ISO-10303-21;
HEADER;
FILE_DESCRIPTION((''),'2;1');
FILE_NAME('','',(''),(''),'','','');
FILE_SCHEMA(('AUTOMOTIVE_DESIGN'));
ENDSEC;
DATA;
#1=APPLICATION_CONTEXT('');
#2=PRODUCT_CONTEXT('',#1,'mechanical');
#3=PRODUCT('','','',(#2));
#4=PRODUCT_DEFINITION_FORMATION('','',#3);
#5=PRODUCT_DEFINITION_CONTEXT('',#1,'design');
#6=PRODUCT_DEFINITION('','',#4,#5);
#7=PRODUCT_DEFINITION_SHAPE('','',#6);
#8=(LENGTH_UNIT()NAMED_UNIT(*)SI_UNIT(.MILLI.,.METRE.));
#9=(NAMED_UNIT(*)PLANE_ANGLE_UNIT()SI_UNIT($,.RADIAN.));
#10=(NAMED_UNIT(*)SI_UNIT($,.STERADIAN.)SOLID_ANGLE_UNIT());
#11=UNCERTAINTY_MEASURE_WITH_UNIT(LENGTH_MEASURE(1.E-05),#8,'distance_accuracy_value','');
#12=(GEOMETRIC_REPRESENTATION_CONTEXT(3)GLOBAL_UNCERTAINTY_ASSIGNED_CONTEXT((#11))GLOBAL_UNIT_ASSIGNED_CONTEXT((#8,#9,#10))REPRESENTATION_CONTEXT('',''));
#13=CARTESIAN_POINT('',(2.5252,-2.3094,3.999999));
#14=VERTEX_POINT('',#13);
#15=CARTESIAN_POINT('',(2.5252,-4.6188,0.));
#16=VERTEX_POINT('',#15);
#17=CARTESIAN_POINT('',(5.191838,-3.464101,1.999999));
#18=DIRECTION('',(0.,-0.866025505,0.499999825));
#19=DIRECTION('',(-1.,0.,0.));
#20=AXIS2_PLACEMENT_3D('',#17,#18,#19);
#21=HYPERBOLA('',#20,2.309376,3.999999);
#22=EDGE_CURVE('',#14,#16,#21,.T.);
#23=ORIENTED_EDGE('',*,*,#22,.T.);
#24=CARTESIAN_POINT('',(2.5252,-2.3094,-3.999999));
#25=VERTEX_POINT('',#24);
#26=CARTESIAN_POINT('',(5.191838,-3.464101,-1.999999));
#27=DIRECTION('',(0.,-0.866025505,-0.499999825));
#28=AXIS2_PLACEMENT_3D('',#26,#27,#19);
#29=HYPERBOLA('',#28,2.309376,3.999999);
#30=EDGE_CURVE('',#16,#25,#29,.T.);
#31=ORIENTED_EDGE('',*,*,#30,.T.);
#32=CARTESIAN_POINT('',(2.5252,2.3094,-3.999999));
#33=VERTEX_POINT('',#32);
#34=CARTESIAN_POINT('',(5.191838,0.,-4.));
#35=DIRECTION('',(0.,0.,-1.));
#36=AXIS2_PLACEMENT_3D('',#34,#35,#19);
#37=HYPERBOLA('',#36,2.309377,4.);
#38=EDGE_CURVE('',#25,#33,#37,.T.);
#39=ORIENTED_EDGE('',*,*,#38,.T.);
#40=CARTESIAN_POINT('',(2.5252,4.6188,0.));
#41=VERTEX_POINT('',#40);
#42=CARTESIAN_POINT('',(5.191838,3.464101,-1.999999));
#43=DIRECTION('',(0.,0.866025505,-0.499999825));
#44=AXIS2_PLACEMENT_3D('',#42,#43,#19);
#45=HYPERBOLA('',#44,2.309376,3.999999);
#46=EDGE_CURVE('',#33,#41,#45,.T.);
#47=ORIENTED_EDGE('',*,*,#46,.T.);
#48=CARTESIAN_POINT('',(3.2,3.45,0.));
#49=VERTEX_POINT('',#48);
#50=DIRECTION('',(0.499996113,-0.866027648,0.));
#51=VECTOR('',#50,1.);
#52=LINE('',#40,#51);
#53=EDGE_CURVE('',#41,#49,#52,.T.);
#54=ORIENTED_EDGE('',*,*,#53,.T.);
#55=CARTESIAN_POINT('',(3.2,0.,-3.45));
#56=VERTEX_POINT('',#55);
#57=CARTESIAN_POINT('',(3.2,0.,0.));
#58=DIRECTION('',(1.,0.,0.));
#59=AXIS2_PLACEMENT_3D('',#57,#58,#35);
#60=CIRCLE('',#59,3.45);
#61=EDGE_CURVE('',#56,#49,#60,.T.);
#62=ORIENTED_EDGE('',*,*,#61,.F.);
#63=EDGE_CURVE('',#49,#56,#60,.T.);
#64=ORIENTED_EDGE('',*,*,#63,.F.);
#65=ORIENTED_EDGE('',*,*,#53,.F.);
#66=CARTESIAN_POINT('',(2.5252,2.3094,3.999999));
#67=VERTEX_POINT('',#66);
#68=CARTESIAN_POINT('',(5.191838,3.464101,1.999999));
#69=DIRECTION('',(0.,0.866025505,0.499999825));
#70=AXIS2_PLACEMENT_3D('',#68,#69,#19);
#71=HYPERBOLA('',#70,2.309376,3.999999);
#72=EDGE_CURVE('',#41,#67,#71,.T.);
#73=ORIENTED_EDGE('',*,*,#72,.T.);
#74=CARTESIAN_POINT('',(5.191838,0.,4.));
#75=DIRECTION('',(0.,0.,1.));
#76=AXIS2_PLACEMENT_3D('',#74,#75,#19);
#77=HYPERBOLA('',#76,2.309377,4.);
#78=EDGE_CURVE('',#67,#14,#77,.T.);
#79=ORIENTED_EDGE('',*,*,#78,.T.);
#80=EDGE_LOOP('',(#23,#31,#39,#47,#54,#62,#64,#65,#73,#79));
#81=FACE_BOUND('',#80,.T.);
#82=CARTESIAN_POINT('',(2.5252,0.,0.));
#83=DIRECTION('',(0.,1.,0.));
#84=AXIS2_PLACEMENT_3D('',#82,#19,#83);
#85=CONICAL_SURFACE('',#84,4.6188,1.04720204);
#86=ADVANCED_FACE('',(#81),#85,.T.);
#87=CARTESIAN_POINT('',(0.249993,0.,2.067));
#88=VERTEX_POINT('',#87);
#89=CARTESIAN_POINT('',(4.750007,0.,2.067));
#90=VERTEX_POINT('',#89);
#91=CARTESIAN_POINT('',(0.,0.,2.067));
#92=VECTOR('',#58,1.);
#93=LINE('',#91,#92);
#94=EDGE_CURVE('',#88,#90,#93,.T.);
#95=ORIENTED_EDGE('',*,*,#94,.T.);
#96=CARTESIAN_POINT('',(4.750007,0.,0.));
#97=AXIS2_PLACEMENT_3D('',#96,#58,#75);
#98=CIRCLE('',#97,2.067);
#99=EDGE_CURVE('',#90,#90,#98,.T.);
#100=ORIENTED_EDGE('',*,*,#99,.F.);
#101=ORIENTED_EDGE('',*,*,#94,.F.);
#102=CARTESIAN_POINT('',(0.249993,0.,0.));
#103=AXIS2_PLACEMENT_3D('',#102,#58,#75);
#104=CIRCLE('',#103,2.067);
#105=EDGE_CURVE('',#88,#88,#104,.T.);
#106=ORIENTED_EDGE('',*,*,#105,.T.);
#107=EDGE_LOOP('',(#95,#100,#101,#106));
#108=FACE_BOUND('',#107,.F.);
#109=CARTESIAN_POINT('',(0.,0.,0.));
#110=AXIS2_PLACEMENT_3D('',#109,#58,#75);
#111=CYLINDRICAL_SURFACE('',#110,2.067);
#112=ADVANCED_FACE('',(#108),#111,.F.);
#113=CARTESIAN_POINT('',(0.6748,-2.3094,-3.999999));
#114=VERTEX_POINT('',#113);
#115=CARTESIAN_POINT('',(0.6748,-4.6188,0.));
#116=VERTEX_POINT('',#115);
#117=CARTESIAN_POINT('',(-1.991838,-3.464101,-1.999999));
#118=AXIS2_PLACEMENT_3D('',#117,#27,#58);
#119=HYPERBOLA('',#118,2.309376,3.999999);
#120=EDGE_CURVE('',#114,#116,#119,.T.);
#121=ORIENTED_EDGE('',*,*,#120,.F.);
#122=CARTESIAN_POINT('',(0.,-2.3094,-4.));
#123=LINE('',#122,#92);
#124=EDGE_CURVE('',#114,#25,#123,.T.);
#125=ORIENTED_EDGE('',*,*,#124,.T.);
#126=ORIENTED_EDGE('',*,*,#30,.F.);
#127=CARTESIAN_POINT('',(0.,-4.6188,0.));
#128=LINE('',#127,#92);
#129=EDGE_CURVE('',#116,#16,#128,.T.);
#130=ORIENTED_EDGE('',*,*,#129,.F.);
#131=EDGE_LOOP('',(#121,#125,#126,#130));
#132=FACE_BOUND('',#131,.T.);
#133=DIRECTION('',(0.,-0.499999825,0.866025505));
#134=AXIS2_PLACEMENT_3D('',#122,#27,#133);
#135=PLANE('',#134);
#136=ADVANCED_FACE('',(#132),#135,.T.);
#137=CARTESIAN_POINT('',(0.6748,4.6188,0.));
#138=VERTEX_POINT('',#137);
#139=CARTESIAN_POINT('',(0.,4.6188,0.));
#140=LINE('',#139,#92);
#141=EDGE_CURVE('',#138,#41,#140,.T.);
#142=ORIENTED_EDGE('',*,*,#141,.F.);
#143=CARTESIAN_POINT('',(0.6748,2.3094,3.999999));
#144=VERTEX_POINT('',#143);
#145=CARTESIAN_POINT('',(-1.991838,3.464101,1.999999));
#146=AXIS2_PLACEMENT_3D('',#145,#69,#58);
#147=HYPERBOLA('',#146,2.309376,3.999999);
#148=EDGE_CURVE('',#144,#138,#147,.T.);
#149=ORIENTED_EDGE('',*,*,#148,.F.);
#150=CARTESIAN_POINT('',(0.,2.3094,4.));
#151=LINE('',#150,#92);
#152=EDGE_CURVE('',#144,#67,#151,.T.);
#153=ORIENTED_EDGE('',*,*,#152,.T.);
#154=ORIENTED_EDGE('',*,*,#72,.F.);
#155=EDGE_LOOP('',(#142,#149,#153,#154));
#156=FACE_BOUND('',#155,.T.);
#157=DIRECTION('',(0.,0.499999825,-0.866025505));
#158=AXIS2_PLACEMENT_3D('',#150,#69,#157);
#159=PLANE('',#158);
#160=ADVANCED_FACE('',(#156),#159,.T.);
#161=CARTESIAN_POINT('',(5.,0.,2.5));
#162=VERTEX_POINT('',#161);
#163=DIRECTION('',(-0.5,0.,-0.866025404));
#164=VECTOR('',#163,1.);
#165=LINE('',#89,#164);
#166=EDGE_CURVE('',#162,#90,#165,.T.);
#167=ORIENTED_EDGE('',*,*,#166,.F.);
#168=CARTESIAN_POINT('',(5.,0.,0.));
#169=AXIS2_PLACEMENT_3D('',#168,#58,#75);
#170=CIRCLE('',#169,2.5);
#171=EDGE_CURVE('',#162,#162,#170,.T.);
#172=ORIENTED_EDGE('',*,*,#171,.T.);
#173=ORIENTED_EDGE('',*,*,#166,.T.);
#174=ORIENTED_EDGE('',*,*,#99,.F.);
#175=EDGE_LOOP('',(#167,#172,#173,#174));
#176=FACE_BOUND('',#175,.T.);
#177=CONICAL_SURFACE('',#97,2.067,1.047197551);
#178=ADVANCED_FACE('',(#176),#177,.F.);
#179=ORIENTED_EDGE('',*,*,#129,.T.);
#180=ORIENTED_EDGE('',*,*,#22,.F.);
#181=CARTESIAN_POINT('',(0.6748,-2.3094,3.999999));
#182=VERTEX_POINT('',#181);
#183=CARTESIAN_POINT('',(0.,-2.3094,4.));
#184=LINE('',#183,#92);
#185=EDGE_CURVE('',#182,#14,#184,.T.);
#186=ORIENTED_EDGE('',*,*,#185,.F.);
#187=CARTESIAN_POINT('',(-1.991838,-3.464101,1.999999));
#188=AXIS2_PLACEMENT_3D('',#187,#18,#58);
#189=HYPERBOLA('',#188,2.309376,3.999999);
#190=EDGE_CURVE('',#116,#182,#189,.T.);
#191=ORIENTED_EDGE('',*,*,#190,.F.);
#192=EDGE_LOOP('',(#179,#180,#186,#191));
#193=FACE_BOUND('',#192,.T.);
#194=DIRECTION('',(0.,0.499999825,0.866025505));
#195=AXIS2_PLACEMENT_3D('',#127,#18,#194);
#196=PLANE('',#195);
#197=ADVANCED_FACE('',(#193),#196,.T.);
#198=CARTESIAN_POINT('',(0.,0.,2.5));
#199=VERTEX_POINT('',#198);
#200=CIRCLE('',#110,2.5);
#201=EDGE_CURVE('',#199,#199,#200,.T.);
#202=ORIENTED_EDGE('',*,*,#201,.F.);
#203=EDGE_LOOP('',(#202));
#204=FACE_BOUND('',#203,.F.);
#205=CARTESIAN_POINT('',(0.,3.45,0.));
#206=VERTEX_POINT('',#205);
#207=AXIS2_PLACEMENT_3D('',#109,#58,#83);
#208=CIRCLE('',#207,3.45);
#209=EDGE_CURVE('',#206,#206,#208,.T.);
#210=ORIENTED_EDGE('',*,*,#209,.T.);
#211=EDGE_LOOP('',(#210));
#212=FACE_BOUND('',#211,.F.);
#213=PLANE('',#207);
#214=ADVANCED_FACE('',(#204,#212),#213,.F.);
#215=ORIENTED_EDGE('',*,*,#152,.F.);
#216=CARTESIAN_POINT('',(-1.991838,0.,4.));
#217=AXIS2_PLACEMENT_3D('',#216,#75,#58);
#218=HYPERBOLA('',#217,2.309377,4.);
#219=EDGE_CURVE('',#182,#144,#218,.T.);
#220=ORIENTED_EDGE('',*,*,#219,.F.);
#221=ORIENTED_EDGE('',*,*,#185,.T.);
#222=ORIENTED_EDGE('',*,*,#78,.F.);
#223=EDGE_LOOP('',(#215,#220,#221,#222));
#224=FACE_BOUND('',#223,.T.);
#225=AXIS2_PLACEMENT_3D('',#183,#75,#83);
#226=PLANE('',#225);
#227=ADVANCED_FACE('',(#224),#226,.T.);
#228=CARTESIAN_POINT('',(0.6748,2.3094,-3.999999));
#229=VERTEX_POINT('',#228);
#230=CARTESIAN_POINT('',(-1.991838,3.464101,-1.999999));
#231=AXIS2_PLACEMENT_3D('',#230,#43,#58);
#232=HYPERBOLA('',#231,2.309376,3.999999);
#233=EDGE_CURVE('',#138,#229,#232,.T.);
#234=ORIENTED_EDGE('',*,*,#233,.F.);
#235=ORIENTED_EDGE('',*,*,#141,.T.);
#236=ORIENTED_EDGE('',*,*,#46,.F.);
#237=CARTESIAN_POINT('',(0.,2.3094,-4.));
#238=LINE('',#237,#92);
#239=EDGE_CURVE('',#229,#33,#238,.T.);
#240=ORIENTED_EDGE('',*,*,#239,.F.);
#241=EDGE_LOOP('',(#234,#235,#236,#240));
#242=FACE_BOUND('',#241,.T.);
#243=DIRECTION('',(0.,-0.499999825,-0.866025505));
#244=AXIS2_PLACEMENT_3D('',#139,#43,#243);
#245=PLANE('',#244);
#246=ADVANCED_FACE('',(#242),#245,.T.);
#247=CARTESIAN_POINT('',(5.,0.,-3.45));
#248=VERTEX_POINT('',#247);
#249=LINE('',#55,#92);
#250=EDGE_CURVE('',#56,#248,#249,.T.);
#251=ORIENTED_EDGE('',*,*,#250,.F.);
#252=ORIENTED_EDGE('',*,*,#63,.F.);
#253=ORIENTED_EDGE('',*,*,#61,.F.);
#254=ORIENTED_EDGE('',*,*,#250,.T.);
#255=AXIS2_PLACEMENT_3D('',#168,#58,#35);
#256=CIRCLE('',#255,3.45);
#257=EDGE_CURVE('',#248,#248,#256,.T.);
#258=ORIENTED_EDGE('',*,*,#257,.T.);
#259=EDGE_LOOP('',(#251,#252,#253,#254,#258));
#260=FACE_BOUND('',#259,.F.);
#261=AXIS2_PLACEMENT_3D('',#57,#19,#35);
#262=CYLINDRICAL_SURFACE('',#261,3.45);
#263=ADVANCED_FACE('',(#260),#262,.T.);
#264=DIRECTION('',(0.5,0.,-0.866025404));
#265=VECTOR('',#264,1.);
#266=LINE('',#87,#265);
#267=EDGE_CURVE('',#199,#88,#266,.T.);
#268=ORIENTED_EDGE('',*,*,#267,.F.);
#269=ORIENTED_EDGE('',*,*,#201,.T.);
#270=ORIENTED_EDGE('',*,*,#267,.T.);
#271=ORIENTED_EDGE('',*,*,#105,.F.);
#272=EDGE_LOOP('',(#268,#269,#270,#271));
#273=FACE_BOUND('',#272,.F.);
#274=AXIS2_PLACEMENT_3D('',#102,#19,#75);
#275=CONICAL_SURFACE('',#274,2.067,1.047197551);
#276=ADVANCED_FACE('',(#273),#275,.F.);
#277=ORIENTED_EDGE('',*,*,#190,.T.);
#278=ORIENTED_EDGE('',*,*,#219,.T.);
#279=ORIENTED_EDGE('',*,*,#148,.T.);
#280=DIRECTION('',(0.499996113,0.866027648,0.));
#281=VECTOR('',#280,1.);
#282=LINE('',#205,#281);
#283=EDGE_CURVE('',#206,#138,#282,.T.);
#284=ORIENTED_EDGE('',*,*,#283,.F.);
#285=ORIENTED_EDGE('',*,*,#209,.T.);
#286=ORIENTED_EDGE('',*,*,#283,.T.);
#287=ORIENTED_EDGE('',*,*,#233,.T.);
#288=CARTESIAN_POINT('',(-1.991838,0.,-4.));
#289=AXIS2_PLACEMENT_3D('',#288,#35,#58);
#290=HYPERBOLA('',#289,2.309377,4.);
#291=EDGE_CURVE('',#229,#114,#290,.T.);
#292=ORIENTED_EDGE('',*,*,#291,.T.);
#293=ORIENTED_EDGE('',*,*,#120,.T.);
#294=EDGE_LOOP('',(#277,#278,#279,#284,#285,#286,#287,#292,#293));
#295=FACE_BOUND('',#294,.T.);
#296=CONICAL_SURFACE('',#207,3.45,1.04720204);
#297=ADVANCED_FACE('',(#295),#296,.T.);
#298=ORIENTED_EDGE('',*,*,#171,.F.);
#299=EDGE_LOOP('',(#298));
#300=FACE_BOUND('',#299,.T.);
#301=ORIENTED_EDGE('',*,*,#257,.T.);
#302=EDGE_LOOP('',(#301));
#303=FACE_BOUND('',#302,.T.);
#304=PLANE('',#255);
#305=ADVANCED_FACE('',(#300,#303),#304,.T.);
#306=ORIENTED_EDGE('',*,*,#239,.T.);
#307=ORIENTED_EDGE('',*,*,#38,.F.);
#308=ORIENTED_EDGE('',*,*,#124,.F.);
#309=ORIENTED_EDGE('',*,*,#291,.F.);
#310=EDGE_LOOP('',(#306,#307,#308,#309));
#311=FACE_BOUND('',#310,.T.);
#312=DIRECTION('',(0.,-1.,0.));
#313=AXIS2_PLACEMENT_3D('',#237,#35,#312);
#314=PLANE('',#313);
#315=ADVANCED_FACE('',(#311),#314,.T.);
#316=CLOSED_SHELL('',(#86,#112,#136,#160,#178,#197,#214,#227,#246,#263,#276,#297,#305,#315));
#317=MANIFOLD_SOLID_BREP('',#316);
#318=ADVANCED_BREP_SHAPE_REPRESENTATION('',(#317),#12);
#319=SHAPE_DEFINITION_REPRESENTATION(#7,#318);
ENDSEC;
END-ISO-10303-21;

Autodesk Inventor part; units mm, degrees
ref_plane "YZ Plane" through (0, 0, 0) normal (1, 0, 0) x (0, 1, 0)
ref_plane "XZ Plane" through (0, 0, 0) normal (0, 1, 0) x (-1, 0, 0)
sketch "Sketch1" plane through (0, 0, 0) normal (1, 0, 0) x (0, 1, 0)
  line L0 (2.3094, -4) -> (-2.3094, -4)
  line L1 (-2.3094, -4) -> (-4.6188, 0)
  line L2 (-4.6188, 0) -> (-2.3094, 4)
  line L3 (-2.3094, 4) -> (2.3094, 4)
  line L4 (2.3094, 4) -> (4.6188, 0)
  line L5 (4.6188, 0) -> (2.3094, -4)
  point P0 (0, 0)
  point P1 (0, 0)
  dimension "d0" = 9.2376
extrude "Body" add sketch "Sketch1" along normal blind 3.2
sketch "Sketch2" plane through (3.2, 0, 0) normal (1, 0, 0) x (0, 0, -1)
  circle A0 centre (0, 0) radius 3.45
  dimension "d7" = 6.9
extrude "Ring" add sketch "Sketch2" along normal blind 1.8
sketch "Sketch3" plane through (0, 0, 0) normal (0, 0, 1) x (1, 0, 0)
  line L0 (0, 2.3094) -> (0, 4.6188) projected
  line L1 (0, 4.6188) -> (3.2, 4.6188) projected
  line L2 (3.2, 2.3094) -> (3.2, 4.6188) projected
  line L3 (-0.64, 0) -> (3.84, 0) projected
  line L4 (0, 3.45) -> (0.6748, 4.6188)
  line L5 (2.5252, 4.6188) -> (3.2, 3.45)
  dimension "d3" = 30
  dimension "d4" = 30
  dimension "d5" = 6.9
  dimension "d6" = 6.9
revolve "Chamfer1" cut sketch "Sketch3" angle 360 about axis through (-10, 0, 0) along (1, 0, 0)
sketch "Sketch4" plane through (0, 0, 0) normal (-1, 0, 0) x (0, 0, 1)
  line L0 (0, -6.4663) -> (0, 6.4663) projected
  line L1 (-5.6, 0) -> (5.6, 0) projected
  point P0 (0, 0)
hole "Thread" at (0, 0, 0) direction (1, 0, 0) diameter 4.134 end through all thread size "M5x0.8" class "6H" standard "ISO Metric profile"
chamfer "Chamfer2" distance 0.433 angle 30 1 edges at (0, 0, -2.067) measured on face at (0, 2.9506, -0.3583)
chamfer "Chamfer3" distance 0.433 angle 30 1 edges at (5, 0, -2.067) measured on face at (5, -0.4401, -2.9356)
ref_plane "Work Plane1" through (13.2035, 0, 0) normal (0, 0, 1) x (-1, 0, 0)
equation "\"d0\" = 1.1547 * SW"
equation "\"d1\" = KOH1"
equation "\"d7\" = SD2"
equation "\"d8\" = KOH - KOH1"
equation "\"d3\" = ANG1"
equation "\"d4\" = ANG2"
equation "\"d5\" = SW0"
equation "\"d6\" = SW01"
equation "\"d10\" = -0.5 * GD1 + 0.5 * NND"
equation "\"d46\" = -0.5 * GD1 + 0.5 * NND"
equation "\"d12\" = -0.5 * GD1 + 0.5 * NND"
equation "\"d47\" = -0.5 * GD1 + 0.5 * NND"
equation "\"ANG1\" = 30deg"
equation "\"ANG2\" = 30deg"
equation "\"NND\" = 5"
equation "\"KOH1\" = 3.2"
equation "\"KOH\" = 5"
equation "\"SW\" = 8"
equation "\"SW0\" = 6.9"
equation "\"SW01\" = SW0"
equation "\"SD2\" = SW0"
equation "\"GUL\" = 0.541266 * PTC"
equation "\"THREADDIA\" = 5"
equation "\"TOA\" = 30deg"
equation "\"PTC\" = 0.8"
equation "\"GAL\" = 0.541266 * PTC"
equation "\"E0\" = 1.155 * SW"
equation "\"GD1\" = 4.133975"
properties part number "DIN 985 - M5" material "Steel, Mild"
